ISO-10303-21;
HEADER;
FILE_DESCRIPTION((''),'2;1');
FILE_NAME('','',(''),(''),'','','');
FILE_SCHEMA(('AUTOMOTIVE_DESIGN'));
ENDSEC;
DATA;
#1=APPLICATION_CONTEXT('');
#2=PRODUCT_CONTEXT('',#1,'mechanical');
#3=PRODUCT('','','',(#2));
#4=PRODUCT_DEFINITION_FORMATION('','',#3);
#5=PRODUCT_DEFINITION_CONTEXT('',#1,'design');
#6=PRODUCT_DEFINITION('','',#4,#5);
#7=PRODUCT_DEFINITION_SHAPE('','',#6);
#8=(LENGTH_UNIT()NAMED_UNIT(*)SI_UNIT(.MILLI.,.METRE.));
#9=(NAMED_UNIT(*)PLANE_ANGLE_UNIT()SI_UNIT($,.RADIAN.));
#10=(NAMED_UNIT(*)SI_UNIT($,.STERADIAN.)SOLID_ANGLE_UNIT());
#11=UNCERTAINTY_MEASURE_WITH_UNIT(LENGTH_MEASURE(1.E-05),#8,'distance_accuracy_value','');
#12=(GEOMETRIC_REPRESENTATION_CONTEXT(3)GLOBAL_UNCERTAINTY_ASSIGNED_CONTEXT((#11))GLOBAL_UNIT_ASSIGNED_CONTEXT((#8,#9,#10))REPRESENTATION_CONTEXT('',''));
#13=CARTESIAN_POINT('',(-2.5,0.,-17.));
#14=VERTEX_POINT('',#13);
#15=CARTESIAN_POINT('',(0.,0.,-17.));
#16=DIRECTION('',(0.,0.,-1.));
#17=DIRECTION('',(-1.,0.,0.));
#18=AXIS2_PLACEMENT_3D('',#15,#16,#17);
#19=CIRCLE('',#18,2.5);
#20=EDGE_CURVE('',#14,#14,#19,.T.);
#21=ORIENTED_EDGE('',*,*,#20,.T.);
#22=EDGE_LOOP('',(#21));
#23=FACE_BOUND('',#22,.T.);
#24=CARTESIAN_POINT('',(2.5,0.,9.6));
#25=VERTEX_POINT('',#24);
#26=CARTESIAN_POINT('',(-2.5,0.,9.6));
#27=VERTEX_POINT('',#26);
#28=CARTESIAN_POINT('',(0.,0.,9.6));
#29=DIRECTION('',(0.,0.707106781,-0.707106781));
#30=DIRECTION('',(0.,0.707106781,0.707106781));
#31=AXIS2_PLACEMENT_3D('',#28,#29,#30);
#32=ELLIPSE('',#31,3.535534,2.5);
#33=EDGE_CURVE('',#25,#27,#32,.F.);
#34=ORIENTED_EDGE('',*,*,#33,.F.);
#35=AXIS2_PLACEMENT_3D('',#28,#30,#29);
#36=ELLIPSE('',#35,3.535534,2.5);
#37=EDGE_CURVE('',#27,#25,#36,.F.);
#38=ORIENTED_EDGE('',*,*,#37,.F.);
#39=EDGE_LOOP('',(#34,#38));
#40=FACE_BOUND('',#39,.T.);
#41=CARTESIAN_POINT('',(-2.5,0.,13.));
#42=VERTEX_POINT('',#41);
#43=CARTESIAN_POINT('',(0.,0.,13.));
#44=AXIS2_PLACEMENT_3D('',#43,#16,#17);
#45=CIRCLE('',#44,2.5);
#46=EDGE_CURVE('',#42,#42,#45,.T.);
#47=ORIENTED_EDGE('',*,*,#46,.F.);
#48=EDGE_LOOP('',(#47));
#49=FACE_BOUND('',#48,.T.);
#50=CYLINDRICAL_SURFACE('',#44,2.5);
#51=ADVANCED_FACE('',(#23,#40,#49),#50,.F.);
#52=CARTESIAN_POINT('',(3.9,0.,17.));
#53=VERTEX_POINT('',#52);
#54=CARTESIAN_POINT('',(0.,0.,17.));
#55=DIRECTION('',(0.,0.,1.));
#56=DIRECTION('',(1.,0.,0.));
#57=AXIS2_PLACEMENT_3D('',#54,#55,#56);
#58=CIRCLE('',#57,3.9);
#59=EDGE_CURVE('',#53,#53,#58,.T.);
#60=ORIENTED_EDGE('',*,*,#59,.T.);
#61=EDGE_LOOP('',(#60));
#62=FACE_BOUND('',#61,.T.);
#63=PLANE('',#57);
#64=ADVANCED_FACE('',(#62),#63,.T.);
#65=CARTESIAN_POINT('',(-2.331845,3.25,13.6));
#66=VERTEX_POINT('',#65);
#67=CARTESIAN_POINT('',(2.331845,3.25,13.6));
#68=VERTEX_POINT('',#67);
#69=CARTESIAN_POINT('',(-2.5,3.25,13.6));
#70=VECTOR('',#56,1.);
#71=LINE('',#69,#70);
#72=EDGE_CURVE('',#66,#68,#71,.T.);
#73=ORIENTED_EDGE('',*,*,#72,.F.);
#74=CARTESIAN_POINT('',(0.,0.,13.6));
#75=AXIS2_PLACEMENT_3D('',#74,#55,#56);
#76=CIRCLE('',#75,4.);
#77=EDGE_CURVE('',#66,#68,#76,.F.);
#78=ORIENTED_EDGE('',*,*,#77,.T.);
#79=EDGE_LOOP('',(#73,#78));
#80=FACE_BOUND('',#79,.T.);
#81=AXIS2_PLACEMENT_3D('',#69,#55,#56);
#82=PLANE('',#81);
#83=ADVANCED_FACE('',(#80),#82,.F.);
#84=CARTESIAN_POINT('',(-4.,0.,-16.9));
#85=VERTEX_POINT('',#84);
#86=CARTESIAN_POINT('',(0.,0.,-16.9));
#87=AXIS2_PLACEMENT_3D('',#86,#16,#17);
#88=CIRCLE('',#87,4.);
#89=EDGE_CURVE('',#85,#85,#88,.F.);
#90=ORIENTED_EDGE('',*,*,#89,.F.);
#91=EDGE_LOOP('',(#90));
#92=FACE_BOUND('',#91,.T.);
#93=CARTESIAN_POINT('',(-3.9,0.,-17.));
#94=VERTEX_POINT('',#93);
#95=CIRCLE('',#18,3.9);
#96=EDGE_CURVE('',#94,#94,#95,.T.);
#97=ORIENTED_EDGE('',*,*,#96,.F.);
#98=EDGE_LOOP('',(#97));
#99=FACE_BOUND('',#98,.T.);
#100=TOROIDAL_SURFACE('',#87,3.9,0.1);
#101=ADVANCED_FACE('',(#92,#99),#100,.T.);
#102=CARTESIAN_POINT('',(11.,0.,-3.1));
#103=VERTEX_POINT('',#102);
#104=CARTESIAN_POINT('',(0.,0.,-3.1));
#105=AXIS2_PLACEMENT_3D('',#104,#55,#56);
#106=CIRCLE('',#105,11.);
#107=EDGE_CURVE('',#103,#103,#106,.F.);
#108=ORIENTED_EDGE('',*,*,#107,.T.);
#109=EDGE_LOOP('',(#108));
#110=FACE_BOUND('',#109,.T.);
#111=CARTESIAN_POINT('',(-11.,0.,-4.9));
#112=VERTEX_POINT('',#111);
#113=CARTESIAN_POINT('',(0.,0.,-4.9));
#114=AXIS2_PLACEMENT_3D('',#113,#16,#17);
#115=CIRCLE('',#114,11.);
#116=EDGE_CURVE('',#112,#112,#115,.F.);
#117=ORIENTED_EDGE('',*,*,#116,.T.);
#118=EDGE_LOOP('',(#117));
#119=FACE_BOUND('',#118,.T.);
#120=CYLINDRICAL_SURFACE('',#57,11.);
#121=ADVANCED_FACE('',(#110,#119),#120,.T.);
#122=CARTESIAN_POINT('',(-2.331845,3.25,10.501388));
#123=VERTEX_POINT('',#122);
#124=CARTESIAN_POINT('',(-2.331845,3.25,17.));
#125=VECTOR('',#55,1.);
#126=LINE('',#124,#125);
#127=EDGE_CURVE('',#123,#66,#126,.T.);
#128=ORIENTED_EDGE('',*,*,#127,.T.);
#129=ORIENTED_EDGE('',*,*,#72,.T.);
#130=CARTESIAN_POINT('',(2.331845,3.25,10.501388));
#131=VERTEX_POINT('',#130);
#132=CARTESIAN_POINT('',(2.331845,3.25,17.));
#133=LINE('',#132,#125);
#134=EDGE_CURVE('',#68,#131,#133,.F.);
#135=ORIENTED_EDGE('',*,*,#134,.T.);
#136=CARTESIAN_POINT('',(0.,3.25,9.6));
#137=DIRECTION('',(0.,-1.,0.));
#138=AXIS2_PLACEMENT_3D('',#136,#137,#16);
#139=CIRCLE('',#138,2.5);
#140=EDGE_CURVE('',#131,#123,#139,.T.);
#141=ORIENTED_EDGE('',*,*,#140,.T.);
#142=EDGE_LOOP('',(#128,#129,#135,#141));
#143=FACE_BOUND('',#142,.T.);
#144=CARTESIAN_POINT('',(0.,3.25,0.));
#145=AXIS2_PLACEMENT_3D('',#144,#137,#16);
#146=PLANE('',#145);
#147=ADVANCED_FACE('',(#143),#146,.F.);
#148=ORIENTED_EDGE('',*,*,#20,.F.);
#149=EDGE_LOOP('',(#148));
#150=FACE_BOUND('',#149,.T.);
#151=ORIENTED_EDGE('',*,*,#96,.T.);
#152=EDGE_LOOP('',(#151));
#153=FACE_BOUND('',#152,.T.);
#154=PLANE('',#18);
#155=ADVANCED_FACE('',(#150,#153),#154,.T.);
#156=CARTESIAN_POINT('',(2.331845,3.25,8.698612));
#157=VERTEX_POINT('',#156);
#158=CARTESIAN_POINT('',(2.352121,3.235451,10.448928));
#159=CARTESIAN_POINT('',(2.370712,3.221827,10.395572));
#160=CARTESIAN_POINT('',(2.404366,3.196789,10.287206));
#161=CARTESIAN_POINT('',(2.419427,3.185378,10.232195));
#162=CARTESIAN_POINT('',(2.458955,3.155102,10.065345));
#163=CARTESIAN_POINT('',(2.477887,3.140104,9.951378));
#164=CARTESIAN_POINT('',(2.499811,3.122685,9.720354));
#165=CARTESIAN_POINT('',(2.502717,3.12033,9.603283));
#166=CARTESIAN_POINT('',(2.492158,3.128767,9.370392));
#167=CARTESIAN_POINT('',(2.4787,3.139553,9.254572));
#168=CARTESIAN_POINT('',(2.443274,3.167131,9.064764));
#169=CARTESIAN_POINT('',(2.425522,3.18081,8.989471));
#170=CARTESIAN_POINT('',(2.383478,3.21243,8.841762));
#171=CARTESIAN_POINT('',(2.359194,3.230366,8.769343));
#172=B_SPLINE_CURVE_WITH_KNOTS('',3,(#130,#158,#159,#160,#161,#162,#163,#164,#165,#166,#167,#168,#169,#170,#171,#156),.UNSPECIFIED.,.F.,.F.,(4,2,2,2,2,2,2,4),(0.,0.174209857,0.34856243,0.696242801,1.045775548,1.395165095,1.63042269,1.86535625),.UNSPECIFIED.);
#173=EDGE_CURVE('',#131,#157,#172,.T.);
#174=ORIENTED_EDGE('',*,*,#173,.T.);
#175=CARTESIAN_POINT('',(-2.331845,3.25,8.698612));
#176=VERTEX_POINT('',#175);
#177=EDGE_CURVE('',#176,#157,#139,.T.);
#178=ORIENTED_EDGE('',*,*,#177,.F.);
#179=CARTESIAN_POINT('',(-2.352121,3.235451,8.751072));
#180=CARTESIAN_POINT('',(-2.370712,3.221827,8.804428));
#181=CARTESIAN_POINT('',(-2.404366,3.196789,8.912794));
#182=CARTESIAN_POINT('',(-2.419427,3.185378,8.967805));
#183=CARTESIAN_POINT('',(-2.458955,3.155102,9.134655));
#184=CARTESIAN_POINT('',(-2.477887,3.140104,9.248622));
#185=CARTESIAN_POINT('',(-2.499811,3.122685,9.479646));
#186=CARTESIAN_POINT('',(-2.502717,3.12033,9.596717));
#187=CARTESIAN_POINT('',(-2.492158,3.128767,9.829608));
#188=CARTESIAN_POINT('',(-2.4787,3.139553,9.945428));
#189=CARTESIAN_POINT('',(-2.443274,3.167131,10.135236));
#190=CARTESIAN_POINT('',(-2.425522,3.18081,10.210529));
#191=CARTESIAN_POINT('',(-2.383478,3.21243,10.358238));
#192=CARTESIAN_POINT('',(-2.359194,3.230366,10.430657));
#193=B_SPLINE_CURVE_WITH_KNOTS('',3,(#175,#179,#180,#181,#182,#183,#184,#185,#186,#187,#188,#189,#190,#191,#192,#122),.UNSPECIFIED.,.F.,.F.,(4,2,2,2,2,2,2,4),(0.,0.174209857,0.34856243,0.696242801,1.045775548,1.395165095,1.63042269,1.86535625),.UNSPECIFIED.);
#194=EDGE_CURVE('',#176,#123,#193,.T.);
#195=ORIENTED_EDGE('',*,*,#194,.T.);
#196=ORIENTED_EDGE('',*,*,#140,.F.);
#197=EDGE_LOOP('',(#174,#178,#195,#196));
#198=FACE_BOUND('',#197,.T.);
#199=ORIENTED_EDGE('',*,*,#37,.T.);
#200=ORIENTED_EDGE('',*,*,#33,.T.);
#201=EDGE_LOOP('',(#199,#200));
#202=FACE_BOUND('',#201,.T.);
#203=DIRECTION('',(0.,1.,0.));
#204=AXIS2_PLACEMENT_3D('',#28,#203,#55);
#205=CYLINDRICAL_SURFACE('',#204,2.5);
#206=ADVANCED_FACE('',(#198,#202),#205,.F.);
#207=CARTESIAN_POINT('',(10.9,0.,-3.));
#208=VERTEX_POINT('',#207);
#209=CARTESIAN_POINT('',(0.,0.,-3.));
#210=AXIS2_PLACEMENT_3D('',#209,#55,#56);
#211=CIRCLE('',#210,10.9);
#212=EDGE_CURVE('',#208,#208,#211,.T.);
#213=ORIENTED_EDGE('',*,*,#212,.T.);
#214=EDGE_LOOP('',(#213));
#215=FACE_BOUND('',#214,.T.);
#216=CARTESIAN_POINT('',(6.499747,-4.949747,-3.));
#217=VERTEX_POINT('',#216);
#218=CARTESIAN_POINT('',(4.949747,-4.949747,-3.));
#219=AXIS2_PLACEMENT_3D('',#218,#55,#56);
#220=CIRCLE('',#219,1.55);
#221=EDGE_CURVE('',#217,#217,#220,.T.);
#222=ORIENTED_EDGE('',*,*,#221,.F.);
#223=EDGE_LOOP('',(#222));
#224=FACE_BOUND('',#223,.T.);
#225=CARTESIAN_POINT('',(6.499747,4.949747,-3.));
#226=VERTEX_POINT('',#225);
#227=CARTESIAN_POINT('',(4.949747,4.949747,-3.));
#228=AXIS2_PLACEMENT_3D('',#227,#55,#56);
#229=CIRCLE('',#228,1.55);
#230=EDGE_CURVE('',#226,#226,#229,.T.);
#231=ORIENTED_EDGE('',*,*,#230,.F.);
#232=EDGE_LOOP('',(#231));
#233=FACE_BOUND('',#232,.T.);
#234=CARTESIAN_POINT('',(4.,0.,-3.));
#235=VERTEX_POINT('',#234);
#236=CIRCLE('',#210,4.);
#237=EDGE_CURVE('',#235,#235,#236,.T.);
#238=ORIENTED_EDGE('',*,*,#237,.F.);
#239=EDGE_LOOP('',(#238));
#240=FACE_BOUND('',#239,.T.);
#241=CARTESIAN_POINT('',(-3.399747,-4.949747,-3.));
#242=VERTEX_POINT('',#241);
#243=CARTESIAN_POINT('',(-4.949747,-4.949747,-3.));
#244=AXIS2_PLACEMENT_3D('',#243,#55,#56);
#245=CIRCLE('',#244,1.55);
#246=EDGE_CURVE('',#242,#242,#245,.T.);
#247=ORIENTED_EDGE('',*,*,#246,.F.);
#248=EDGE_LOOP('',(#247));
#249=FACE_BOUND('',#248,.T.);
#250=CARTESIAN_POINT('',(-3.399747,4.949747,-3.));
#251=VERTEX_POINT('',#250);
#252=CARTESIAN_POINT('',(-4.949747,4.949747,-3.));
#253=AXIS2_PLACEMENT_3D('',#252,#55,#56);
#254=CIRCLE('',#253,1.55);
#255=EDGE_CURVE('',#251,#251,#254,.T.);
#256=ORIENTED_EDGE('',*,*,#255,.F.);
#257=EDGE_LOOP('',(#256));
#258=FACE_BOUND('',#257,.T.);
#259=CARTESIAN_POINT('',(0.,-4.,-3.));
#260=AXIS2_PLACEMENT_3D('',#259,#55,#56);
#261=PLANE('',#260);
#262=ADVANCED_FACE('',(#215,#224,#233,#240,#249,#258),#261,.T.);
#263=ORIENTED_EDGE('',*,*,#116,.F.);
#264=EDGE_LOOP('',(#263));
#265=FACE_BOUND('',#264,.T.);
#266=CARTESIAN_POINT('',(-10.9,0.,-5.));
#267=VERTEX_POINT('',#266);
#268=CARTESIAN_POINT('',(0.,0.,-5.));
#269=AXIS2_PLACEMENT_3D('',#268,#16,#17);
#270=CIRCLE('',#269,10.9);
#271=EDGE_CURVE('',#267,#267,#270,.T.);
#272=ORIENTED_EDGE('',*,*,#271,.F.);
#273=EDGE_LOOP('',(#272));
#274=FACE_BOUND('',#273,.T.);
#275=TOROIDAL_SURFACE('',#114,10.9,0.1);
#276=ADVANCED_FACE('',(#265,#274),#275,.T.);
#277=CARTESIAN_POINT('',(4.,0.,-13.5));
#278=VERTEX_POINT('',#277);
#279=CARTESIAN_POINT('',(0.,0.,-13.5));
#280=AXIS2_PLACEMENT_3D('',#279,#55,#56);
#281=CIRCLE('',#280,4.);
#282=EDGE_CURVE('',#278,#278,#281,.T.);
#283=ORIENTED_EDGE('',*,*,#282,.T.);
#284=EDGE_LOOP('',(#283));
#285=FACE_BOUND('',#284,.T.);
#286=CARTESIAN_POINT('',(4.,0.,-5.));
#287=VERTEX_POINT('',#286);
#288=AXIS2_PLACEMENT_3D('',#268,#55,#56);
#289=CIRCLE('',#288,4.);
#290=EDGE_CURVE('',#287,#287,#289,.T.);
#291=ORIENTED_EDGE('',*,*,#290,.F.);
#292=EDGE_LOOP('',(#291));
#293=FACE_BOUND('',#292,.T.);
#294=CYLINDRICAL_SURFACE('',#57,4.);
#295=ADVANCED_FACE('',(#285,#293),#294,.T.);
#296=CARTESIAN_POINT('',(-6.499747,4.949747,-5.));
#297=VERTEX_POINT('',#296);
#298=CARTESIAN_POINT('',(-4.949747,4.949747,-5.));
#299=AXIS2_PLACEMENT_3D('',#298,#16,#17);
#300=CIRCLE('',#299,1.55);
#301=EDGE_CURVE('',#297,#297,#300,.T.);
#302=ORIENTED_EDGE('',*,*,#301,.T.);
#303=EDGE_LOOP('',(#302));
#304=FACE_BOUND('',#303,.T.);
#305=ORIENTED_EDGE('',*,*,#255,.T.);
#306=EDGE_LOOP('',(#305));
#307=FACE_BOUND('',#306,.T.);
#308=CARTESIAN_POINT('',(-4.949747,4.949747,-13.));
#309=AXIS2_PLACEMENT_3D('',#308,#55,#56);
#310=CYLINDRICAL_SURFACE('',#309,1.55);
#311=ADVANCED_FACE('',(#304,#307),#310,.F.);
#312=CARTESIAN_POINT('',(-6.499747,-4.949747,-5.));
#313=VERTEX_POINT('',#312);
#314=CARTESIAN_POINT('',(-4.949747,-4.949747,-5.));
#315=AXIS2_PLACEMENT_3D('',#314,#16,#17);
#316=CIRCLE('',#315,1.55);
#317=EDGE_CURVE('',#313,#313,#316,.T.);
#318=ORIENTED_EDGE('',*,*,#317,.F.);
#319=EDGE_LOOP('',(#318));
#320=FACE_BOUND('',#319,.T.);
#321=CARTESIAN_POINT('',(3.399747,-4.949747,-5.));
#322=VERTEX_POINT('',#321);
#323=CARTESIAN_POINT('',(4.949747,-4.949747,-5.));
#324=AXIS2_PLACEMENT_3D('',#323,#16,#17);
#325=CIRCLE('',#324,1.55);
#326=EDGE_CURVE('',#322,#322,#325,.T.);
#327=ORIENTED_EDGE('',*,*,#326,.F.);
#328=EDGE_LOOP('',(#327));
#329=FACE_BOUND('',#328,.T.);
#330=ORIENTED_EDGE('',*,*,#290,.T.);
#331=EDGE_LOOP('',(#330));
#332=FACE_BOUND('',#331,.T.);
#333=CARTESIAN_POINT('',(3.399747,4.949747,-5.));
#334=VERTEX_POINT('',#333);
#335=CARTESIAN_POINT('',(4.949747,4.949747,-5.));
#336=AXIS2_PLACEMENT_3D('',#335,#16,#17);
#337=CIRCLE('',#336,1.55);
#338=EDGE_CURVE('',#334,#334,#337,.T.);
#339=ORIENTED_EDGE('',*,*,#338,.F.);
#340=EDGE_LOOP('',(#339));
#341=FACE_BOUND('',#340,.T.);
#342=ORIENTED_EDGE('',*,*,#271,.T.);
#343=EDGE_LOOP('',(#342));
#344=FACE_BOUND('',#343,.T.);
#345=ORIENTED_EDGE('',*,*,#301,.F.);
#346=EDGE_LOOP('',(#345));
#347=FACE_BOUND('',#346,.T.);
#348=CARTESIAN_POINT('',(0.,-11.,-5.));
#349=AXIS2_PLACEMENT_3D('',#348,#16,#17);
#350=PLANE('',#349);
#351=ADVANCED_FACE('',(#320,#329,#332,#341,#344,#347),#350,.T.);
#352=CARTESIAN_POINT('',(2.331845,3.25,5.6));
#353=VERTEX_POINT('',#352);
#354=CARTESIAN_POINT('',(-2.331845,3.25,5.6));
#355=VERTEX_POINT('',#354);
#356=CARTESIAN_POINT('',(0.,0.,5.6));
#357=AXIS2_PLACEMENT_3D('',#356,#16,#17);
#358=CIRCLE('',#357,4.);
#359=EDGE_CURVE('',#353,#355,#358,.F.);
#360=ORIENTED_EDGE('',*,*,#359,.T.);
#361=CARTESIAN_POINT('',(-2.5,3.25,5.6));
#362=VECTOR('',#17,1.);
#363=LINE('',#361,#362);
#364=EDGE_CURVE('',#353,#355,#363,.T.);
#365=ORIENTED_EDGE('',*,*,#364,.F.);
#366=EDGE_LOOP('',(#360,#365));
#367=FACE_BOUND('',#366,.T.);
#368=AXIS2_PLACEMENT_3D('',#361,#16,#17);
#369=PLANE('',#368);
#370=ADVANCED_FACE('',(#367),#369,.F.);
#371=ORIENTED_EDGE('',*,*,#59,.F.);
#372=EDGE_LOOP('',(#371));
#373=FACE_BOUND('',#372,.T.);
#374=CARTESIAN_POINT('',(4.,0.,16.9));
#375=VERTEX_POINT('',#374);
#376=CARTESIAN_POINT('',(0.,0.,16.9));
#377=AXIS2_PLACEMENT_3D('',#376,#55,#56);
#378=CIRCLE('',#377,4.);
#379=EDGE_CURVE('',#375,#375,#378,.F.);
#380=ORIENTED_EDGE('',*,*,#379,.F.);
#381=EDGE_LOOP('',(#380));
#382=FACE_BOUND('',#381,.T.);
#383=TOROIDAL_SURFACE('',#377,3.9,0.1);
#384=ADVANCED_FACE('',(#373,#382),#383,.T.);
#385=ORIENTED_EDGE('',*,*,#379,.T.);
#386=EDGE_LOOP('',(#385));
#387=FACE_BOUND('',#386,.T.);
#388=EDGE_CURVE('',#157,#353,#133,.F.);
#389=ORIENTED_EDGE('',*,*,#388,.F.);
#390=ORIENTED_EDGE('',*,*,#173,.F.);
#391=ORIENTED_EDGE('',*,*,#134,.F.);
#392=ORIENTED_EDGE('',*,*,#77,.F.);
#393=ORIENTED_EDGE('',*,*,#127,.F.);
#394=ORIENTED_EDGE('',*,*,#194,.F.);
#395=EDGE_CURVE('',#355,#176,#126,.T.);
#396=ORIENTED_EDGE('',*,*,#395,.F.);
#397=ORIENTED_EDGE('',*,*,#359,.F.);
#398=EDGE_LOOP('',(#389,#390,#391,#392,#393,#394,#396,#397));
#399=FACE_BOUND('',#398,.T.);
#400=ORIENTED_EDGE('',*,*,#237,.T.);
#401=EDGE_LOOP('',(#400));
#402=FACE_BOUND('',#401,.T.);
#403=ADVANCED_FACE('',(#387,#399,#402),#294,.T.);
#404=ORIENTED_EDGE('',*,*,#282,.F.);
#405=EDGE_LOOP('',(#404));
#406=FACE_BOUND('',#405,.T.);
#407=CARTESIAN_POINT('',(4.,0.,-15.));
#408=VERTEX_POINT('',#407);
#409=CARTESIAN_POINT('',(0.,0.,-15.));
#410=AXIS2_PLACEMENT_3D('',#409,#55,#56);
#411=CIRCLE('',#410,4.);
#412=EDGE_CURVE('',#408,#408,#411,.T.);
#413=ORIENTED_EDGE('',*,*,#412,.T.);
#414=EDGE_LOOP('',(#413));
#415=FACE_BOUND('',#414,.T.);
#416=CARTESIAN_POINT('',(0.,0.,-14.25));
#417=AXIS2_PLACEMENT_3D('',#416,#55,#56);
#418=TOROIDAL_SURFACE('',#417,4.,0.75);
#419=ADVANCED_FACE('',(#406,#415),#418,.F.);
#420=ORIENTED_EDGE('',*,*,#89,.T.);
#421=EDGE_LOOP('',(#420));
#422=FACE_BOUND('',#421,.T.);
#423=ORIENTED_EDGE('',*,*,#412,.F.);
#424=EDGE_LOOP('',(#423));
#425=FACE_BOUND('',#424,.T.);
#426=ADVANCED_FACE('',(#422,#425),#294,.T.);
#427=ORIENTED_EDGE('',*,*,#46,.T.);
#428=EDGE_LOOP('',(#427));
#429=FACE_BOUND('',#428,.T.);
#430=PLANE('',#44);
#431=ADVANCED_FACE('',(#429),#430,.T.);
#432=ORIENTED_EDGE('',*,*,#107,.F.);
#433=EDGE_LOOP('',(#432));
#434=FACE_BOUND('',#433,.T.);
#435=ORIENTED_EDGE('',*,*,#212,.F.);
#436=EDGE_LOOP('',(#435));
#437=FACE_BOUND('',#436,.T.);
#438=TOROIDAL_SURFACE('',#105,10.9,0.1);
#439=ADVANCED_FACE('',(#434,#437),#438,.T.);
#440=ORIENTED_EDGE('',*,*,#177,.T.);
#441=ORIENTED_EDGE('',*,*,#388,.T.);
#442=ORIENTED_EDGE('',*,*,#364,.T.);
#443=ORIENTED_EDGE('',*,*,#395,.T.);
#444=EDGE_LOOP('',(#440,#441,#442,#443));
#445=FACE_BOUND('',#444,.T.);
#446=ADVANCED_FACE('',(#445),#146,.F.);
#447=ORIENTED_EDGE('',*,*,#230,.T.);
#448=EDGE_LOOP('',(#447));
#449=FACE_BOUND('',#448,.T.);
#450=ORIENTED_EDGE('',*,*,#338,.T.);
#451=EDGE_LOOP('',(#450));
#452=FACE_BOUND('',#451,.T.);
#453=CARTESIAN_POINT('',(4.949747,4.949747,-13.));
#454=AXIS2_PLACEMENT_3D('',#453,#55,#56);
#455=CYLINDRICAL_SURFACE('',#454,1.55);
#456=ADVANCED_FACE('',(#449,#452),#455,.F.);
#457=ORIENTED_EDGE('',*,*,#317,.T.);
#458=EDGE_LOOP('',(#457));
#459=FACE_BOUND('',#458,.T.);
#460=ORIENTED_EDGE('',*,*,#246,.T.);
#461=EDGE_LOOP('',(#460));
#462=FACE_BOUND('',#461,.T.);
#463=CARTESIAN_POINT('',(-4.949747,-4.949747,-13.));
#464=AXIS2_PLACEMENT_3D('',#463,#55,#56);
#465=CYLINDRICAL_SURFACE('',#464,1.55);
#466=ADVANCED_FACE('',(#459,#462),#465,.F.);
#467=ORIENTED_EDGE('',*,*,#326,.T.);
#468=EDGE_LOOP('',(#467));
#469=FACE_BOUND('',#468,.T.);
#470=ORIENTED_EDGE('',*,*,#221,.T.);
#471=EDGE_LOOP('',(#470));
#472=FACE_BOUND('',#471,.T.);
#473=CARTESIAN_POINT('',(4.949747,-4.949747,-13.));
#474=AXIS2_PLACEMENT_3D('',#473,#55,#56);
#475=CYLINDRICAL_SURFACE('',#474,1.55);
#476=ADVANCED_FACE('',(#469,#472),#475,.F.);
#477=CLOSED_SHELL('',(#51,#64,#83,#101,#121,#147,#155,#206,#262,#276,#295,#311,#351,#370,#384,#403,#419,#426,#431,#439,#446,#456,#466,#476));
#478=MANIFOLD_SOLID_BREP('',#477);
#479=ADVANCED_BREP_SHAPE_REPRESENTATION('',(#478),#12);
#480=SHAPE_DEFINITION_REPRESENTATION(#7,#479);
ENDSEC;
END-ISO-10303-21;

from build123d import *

# Parameters (mm, degrees)
SKETCH3_R          = 1.55
CUT_EXTRUDE1_DEPTH = 10
FILLET2_R          = 0.1
SKETCH5_W          = 5
SKETCH5_H          = 8
CUT_EXTRUDE3_DEPTH = 0.75
SKETCH6_R          = 2.5
CUT_EXTRUDE4_DEPTH = 3.25
SKETCH7_R          = 2.5
CUT_EXTRUDE5_DEPTH = 30


with BuildPart() as part:
    # Sketch2 → Revolve1 (revolve)
    with BuildSketch(Plane(origin=(0, 0, 0), x_dir=(0, 0, -1), z_dir=(1, 0, 0))):
        with BuildLine():
            Line((-17, 0), (17, 0))
            Line((17, 0), (17, -4))
            Line((17, -4), (15, -4))
            ThreePointArc((15, -4), (14.25, -3.25), (13.5, -4))
            Line((13.5, -4), (5, -4))
            Line((5, -4), (5, -11))
            Line((5, -11), (3, -11))
            Line((3, -11), (3, -4))
            Line((3, -4), (-17, -4))
            Line((-17, -4), (-17, 0))
        make_face()
    revolve(axis=Axis((0, 0, 17), (0, 0, -1)))

    # Sketch3 → Cut-Extrude1 (cut)
    with BuildSketch(Plane.XY.offset(-3)):
        with Locations((-4.949747468, 4.949747468)):
            Circle(SKETCH3_R)
        with Locations((4.949747468, 4.949747468)):
            Circle(SKETCH3_R)
        with Locations((4.949747468, -4.949747468)):
            Circle(SKETCH3_R)
        with Locations((-4.949747468, -4.949747468)):
            Circle(SKETCH3_R)
    extrude(amount=-CUT_EXTRUDE1_DEPTH, mode=Mode.SUBTRACT)

    # Fillet2
    fillet2_edges = [part.edges().sort_by_distance(p)[0] for p in [
        (0, 4, -17),
        (0, 4, 17),
        (0, 11, -3),
        (0, 11, -5),
    ]]
    fillet(fillet2_edges, radius=FILLET2_R)

    # Sketch5 → Cut-Extrude3 (cut)
    with BuildSketch(Plane(origin=(0, 4, 0), x_dir=(1, 0, 0), z_dir=(0, 1, 0))):
        with Locations((0, -9.6)):
            Rectangle(SKETCH5_W, SKETCH5_H)
    extrude(amount=-CUT_EXTRUDE3_DEPTH, mode=Mode.SUBTRACT)

    # Sketch6 → Cut-Extrude4 (cut)
    with BuildSketch(Plane(origin=(0, 3.25, 0), x_dir=(1, 0, 0), z_dir=(0, 1, 0))):
        with Locations((0, -9.6)):
            Circle(SKETCH6_R)
    extrude(amount=-CUT_EXTRUDE4_DEPTH, mode=Mode.SUBTRACT)

    # Sketch7 → Cut-Extrude5 (cut)
    with BuildSketch(Plane(origin=(0, 0, -17), x_dir=(-1, 0, 0), z_dir=(0, 0, -1))):
        Circle(SKETCH7_R)
    extrude(amount=-CUT_EXTRUDE5_DEPTH, mode=Mode.SUBTRACT)


solid = part.part
